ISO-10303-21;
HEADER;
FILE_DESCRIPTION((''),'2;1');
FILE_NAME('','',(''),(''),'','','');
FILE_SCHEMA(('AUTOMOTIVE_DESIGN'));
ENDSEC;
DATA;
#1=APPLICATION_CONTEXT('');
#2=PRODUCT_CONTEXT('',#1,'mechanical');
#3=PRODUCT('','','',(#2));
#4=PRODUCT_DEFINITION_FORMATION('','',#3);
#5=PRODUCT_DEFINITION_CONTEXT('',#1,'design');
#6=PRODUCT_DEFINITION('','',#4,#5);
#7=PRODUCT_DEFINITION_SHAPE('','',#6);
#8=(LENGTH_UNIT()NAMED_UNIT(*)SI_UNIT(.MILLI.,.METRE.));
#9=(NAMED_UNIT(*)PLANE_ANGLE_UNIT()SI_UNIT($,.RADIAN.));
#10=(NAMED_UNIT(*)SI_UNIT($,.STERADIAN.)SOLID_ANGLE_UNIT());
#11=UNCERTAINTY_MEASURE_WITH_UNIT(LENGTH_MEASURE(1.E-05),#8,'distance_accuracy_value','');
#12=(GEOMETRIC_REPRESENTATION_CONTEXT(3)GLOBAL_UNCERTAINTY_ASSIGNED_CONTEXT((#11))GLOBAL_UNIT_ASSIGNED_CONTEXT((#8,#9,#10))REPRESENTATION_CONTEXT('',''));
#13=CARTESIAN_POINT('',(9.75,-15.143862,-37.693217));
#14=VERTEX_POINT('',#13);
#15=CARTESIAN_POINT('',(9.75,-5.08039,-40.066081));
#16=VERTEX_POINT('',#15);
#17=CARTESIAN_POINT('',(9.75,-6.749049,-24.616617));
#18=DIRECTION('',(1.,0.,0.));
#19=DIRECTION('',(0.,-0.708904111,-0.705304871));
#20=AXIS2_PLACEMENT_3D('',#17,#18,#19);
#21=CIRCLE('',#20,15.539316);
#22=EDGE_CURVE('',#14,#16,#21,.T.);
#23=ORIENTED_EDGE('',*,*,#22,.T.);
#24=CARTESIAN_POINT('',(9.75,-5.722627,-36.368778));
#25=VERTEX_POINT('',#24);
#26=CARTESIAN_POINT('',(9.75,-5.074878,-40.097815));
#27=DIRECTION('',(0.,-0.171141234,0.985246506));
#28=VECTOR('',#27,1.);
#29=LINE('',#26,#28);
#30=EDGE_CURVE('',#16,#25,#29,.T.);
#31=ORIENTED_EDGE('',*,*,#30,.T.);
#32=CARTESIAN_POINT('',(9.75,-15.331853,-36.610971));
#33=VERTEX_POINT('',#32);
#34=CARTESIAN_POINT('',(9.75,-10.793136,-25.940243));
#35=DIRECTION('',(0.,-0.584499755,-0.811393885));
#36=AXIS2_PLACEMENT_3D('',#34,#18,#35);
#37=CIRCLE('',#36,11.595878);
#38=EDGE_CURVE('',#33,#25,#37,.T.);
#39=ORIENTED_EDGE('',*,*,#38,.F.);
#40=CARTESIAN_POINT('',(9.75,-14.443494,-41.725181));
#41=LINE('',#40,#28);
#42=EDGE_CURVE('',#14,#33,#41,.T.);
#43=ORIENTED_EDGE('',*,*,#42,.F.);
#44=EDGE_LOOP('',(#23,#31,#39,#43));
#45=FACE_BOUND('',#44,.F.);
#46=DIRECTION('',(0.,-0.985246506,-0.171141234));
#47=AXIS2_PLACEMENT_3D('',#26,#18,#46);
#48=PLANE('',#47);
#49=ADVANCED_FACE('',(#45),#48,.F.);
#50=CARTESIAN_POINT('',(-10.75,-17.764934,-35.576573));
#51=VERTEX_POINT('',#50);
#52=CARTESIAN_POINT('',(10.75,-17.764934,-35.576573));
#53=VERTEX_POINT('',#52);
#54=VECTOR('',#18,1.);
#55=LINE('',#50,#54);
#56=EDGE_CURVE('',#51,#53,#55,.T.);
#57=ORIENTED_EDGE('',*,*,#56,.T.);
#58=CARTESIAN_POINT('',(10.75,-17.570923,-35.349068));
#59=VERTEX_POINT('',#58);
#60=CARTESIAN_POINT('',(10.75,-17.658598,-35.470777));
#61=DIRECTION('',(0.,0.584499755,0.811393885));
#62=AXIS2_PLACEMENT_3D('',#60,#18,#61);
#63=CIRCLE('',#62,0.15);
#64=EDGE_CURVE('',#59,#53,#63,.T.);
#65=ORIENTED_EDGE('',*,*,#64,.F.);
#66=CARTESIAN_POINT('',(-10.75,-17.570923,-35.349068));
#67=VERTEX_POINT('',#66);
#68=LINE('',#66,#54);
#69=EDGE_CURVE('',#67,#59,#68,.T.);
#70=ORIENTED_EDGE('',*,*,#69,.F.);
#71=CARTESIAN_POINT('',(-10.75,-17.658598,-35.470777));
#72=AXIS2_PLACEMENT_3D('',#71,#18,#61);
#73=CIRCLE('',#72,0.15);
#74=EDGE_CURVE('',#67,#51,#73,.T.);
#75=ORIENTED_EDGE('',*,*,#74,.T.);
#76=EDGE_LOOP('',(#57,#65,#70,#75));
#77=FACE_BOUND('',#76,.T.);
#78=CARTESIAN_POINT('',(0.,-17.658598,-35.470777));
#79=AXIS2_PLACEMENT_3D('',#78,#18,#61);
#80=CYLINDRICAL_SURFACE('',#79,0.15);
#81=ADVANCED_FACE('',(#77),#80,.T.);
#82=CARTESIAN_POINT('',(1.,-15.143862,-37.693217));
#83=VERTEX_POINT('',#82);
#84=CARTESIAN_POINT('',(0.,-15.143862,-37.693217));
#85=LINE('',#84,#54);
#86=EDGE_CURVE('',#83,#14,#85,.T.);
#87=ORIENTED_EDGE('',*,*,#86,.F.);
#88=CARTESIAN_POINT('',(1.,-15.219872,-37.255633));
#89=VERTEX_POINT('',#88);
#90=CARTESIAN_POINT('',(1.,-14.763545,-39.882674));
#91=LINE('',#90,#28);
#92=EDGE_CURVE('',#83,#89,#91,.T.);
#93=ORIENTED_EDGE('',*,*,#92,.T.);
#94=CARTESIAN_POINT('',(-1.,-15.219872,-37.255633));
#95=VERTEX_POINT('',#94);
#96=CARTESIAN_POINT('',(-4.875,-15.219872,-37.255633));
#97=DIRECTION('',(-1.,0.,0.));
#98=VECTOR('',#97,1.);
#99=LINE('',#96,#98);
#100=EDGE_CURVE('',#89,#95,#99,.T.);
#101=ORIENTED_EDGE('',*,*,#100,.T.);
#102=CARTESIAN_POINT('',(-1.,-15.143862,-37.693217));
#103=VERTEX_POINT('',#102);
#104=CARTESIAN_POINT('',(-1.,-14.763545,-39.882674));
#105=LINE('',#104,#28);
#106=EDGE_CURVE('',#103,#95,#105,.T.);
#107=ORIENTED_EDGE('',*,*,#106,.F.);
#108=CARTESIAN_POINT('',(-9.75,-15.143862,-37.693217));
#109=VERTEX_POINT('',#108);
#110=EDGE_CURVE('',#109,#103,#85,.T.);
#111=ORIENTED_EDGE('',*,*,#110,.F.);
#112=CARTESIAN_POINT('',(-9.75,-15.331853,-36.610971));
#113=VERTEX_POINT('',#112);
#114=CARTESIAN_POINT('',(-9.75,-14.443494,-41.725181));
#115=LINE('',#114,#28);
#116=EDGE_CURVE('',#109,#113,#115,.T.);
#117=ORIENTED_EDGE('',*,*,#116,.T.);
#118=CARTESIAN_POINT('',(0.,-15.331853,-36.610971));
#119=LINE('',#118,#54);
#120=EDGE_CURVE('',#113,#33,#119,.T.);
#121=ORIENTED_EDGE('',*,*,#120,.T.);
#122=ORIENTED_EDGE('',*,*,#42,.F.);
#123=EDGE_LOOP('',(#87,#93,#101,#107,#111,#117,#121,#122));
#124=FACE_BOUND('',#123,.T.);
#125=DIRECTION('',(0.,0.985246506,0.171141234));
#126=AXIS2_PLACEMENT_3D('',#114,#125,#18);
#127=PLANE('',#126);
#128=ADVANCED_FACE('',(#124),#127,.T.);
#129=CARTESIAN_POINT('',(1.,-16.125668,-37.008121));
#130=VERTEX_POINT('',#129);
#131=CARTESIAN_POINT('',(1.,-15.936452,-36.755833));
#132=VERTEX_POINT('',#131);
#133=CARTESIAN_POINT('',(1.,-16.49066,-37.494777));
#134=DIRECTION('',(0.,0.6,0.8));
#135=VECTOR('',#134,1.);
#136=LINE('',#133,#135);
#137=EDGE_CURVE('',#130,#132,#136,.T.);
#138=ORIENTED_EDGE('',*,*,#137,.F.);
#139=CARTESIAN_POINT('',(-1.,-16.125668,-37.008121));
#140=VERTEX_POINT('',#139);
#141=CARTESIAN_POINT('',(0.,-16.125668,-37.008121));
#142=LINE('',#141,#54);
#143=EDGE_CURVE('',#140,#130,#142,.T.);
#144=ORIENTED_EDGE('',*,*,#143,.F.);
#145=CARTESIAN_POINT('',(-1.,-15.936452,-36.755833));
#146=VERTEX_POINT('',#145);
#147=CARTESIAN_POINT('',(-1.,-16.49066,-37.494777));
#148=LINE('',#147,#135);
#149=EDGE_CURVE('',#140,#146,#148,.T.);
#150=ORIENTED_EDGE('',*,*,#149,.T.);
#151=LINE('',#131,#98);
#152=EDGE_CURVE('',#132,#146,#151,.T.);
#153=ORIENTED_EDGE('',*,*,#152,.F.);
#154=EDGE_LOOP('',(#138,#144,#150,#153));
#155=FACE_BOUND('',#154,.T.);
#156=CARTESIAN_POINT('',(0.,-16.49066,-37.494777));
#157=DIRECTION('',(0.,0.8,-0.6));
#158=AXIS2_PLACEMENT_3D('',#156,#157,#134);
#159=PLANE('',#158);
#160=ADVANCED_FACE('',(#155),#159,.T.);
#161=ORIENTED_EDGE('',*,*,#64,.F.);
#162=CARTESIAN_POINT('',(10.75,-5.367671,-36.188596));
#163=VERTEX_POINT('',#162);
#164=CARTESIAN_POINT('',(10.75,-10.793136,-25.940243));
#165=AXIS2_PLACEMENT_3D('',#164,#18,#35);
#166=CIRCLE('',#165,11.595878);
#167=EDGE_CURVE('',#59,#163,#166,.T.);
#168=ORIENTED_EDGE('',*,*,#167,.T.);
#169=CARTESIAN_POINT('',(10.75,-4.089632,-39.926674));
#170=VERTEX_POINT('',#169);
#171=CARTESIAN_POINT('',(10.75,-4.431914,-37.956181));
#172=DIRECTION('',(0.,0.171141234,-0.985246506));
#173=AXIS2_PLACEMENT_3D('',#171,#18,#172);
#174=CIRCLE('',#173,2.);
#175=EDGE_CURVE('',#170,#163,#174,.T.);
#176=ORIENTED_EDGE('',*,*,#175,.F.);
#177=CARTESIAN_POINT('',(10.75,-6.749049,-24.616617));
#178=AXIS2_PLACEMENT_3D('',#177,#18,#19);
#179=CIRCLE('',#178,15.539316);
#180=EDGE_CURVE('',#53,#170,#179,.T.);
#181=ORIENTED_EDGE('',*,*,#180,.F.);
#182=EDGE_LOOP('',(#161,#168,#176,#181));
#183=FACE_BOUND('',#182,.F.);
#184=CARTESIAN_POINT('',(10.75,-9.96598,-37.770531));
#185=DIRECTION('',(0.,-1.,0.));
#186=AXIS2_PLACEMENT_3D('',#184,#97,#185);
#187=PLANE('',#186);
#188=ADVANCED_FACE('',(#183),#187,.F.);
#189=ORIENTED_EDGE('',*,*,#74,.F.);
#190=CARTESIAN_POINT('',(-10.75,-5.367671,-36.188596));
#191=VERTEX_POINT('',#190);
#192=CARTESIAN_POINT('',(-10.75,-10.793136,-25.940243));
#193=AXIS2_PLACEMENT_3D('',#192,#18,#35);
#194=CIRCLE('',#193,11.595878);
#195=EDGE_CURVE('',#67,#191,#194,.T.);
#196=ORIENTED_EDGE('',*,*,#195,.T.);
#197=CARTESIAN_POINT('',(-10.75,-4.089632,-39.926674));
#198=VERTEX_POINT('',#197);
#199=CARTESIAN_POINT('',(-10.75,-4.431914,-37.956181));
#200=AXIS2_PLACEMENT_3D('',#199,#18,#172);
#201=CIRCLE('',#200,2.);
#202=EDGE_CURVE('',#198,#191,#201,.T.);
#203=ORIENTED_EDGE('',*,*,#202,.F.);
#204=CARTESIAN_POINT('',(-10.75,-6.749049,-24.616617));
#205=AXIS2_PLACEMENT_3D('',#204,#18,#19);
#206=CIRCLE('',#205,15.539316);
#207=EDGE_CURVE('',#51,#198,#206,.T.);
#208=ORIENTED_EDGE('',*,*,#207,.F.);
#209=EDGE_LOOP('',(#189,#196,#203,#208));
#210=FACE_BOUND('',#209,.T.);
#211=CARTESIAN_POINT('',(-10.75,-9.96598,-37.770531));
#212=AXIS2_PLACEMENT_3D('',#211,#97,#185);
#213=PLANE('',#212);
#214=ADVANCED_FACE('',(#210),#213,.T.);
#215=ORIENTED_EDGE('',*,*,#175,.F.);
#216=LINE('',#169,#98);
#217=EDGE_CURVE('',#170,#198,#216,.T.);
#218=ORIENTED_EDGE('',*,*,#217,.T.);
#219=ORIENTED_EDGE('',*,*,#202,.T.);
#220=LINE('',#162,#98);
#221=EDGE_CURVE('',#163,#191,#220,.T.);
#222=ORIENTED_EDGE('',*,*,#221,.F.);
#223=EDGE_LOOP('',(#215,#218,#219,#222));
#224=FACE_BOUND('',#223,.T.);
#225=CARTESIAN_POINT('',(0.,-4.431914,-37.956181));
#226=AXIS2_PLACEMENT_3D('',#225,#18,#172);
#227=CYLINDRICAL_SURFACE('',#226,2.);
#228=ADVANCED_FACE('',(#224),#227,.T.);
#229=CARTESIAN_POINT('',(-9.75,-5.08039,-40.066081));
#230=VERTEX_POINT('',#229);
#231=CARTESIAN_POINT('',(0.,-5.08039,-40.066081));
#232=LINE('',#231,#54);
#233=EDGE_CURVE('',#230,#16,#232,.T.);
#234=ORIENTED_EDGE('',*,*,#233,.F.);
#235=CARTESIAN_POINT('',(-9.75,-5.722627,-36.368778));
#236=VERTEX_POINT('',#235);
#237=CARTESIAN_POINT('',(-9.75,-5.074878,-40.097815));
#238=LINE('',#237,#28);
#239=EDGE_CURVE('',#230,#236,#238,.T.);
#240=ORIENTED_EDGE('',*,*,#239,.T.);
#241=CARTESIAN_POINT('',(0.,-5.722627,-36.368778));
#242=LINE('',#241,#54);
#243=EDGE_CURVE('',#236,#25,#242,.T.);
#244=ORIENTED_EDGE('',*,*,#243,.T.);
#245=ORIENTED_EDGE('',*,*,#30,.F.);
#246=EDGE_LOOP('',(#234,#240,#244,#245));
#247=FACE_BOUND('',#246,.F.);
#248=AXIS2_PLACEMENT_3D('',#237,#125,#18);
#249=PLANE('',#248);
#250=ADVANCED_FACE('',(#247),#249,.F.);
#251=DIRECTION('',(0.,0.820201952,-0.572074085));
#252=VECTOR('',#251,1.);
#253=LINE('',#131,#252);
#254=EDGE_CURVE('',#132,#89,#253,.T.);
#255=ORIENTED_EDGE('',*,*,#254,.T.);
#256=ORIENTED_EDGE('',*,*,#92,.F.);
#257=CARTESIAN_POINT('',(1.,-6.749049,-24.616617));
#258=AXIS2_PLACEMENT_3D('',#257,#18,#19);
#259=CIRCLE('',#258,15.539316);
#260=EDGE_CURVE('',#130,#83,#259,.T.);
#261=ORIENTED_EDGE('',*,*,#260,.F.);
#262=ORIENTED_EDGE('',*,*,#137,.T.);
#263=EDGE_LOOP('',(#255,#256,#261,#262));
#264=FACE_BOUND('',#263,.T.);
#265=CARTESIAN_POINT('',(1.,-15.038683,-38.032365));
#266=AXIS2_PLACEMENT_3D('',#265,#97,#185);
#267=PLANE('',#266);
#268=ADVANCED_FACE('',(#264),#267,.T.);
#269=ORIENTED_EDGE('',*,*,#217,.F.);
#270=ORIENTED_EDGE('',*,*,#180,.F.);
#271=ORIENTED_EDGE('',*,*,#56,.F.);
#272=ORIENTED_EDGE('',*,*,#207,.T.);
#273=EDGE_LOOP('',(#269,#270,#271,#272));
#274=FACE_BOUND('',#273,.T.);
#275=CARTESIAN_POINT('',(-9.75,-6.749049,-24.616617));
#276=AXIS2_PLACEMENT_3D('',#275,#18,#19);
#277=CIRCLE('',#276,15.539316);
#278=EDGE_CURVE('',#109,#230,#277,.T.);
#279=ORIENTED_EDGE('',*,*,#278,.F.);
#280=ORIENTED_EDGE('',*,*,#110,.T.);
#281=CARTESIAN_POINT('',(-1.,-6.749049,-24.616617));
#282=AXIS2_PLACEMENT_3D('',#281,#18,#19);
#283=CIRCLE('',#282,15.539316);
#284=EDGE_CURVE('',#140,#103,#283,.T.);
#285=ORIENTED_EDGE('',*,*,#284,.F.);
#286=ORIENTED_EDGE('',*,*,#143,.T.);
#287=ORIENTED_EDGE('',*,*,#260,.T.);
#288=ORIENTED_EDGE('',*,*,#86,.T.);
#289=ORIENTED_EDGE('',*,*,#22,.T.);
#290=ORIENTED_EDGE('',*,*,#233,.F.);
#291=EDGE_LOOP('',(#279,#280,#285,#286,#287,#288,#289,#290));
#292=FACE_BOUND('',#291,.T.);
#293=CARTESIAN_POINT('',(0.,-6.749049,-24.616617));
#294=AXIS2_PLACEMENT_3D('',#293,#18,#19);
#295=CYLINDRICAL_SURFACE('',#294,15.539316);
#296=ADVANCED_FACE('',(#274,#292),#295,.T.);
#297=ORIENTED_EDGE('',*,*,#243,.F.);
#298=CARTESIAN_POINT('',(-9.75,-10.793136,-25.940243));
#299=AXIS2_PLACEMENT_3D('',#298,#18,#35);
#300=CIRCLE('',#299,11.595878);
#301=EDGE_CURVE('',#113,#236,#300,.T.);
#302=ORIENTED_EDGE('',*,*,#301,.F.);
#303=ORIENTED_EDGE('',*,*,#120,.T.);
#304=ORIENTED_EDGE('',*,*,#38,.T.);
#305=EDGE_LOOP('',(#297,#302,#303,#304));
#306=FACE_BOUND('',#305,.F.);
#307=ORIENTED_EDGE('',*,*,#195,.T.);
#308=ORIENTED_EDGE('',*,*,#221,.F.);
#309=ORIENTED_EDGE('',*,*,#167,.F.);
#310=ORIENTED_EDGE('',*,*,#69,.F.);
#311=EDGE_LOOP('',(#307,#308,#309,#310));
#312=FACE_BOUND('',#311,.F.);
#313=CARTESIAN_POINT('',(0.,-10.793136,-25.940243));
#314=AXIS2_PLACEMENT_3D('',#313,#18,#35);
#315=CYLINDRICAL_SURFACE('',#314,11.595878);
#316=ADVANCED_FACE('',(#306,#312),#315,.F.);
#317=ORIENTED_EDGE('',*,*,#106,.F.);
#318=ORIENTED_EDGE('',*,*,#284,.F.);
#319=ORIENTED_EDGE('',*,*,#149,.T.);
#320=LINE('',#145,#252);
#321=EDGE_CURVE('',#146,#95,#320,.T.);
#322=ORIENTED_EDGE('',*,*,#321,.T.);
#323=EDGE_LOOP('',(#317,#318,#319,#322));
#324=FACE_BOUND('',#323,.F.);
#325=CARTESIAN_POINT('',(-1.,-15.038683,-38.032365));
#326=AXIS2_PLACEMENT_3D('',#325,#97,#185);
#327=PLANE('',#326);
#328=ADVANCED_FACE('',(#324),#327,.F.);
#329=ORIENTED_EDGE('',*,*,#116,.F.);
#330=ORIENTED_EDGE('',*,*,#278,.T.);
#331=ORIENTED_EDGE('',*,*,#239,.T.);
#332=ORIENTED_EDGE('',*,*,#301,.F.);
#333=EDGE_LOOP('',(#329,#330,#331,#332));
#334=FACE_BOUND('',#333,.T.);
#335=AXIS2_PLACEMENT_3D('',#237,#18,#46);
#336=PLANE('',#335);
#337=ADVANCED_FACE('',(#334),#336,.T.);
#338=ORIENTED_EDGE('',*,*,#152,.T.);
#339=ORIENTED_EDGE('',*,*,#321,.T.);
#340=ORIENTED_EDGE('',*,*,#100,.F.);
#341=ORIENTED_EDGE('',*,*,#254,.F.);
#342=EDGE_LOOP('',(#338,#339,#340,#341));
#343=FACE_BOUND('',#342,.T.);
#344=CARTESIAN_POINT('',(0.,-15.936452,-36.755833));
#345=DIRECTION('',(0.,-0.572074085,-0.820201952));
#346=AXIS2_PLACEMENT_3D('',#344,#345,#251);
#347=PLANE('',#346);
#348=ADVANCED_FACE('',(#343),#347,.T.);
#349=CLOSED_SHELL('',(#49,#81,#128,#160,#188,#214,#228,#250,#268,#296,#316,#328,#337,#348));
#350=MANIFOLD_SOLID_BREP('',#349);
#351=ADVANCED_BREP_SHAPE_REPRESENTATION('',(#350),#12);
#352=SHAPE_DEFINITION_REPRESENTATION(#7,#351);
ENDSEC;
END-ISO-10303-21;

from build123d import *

# Parameters (mm, degrees)
PAD008_DEPTH    = 10.75
SKETCH049_W     = 19.5
SKETCH049_H     = 9.508905554
POCKET006_DEPTH = 6.8868250221
POCKET007_DEPTH = 1


with BuildPart() as part:
    # Sketch048 → Pad008 (new body, symmetric)
    with BuildSketch(Plane.YZ):
        with BuildLine():
            ThreePointArc((-17.570923429, -35.349067746), (-11.5889977168, -37.5087777423), (-5.3676713633, -36.1885955969))
            ThreePointArc((-4.0896315326, -39.9266740125), (-2.5394656722, -37.309157564), (-5.3676713633, -36.1885955969))
            ThreePointArc((-17.7649340088, -35.5765725595), (-11.4595142974, -39.4247858993), (-4.0896315326, -39.9266740125))
            ThreePointArc((-17.570923429, -35.349067746), (-17.7727328087, -35.3734457702), (-17.7649340088, -35.5765725595))
        make_face()
    extrude(amount=PAD008_DEPTH, both=True)

    # Sketch049 (on DatumPlane) → Pocket006 (cut, through all)
    with BuildSketch(Plane(origin=(10.75, -4.0896315326, -39.9266740125), x_dir=(1, 0, 0), z_dir=(0, 0.1711412337, -0.9852465063))):
        with Locations((-10.75, 5.754452777)):
            Rectangle(SKETCH049_W, SKETCH049_H)
    extrude(amount=-POCKET006_DEPTH, mode=Mode.SUBTRACT)

    # Sketch050 → Pocket007 (cut, symmetric)
    with BuildSketch(Plane.YZ):
        Polygon((-16.49066, -37.494777), (-15.936452, -36.755833), (-13.493837, -38.459507), (-14.520146, -39.301079), align=None)
    extrude(amount=POCKET007_DEPTH, both=True, mode=Mode.SUBTRACT)


solid = part.part
